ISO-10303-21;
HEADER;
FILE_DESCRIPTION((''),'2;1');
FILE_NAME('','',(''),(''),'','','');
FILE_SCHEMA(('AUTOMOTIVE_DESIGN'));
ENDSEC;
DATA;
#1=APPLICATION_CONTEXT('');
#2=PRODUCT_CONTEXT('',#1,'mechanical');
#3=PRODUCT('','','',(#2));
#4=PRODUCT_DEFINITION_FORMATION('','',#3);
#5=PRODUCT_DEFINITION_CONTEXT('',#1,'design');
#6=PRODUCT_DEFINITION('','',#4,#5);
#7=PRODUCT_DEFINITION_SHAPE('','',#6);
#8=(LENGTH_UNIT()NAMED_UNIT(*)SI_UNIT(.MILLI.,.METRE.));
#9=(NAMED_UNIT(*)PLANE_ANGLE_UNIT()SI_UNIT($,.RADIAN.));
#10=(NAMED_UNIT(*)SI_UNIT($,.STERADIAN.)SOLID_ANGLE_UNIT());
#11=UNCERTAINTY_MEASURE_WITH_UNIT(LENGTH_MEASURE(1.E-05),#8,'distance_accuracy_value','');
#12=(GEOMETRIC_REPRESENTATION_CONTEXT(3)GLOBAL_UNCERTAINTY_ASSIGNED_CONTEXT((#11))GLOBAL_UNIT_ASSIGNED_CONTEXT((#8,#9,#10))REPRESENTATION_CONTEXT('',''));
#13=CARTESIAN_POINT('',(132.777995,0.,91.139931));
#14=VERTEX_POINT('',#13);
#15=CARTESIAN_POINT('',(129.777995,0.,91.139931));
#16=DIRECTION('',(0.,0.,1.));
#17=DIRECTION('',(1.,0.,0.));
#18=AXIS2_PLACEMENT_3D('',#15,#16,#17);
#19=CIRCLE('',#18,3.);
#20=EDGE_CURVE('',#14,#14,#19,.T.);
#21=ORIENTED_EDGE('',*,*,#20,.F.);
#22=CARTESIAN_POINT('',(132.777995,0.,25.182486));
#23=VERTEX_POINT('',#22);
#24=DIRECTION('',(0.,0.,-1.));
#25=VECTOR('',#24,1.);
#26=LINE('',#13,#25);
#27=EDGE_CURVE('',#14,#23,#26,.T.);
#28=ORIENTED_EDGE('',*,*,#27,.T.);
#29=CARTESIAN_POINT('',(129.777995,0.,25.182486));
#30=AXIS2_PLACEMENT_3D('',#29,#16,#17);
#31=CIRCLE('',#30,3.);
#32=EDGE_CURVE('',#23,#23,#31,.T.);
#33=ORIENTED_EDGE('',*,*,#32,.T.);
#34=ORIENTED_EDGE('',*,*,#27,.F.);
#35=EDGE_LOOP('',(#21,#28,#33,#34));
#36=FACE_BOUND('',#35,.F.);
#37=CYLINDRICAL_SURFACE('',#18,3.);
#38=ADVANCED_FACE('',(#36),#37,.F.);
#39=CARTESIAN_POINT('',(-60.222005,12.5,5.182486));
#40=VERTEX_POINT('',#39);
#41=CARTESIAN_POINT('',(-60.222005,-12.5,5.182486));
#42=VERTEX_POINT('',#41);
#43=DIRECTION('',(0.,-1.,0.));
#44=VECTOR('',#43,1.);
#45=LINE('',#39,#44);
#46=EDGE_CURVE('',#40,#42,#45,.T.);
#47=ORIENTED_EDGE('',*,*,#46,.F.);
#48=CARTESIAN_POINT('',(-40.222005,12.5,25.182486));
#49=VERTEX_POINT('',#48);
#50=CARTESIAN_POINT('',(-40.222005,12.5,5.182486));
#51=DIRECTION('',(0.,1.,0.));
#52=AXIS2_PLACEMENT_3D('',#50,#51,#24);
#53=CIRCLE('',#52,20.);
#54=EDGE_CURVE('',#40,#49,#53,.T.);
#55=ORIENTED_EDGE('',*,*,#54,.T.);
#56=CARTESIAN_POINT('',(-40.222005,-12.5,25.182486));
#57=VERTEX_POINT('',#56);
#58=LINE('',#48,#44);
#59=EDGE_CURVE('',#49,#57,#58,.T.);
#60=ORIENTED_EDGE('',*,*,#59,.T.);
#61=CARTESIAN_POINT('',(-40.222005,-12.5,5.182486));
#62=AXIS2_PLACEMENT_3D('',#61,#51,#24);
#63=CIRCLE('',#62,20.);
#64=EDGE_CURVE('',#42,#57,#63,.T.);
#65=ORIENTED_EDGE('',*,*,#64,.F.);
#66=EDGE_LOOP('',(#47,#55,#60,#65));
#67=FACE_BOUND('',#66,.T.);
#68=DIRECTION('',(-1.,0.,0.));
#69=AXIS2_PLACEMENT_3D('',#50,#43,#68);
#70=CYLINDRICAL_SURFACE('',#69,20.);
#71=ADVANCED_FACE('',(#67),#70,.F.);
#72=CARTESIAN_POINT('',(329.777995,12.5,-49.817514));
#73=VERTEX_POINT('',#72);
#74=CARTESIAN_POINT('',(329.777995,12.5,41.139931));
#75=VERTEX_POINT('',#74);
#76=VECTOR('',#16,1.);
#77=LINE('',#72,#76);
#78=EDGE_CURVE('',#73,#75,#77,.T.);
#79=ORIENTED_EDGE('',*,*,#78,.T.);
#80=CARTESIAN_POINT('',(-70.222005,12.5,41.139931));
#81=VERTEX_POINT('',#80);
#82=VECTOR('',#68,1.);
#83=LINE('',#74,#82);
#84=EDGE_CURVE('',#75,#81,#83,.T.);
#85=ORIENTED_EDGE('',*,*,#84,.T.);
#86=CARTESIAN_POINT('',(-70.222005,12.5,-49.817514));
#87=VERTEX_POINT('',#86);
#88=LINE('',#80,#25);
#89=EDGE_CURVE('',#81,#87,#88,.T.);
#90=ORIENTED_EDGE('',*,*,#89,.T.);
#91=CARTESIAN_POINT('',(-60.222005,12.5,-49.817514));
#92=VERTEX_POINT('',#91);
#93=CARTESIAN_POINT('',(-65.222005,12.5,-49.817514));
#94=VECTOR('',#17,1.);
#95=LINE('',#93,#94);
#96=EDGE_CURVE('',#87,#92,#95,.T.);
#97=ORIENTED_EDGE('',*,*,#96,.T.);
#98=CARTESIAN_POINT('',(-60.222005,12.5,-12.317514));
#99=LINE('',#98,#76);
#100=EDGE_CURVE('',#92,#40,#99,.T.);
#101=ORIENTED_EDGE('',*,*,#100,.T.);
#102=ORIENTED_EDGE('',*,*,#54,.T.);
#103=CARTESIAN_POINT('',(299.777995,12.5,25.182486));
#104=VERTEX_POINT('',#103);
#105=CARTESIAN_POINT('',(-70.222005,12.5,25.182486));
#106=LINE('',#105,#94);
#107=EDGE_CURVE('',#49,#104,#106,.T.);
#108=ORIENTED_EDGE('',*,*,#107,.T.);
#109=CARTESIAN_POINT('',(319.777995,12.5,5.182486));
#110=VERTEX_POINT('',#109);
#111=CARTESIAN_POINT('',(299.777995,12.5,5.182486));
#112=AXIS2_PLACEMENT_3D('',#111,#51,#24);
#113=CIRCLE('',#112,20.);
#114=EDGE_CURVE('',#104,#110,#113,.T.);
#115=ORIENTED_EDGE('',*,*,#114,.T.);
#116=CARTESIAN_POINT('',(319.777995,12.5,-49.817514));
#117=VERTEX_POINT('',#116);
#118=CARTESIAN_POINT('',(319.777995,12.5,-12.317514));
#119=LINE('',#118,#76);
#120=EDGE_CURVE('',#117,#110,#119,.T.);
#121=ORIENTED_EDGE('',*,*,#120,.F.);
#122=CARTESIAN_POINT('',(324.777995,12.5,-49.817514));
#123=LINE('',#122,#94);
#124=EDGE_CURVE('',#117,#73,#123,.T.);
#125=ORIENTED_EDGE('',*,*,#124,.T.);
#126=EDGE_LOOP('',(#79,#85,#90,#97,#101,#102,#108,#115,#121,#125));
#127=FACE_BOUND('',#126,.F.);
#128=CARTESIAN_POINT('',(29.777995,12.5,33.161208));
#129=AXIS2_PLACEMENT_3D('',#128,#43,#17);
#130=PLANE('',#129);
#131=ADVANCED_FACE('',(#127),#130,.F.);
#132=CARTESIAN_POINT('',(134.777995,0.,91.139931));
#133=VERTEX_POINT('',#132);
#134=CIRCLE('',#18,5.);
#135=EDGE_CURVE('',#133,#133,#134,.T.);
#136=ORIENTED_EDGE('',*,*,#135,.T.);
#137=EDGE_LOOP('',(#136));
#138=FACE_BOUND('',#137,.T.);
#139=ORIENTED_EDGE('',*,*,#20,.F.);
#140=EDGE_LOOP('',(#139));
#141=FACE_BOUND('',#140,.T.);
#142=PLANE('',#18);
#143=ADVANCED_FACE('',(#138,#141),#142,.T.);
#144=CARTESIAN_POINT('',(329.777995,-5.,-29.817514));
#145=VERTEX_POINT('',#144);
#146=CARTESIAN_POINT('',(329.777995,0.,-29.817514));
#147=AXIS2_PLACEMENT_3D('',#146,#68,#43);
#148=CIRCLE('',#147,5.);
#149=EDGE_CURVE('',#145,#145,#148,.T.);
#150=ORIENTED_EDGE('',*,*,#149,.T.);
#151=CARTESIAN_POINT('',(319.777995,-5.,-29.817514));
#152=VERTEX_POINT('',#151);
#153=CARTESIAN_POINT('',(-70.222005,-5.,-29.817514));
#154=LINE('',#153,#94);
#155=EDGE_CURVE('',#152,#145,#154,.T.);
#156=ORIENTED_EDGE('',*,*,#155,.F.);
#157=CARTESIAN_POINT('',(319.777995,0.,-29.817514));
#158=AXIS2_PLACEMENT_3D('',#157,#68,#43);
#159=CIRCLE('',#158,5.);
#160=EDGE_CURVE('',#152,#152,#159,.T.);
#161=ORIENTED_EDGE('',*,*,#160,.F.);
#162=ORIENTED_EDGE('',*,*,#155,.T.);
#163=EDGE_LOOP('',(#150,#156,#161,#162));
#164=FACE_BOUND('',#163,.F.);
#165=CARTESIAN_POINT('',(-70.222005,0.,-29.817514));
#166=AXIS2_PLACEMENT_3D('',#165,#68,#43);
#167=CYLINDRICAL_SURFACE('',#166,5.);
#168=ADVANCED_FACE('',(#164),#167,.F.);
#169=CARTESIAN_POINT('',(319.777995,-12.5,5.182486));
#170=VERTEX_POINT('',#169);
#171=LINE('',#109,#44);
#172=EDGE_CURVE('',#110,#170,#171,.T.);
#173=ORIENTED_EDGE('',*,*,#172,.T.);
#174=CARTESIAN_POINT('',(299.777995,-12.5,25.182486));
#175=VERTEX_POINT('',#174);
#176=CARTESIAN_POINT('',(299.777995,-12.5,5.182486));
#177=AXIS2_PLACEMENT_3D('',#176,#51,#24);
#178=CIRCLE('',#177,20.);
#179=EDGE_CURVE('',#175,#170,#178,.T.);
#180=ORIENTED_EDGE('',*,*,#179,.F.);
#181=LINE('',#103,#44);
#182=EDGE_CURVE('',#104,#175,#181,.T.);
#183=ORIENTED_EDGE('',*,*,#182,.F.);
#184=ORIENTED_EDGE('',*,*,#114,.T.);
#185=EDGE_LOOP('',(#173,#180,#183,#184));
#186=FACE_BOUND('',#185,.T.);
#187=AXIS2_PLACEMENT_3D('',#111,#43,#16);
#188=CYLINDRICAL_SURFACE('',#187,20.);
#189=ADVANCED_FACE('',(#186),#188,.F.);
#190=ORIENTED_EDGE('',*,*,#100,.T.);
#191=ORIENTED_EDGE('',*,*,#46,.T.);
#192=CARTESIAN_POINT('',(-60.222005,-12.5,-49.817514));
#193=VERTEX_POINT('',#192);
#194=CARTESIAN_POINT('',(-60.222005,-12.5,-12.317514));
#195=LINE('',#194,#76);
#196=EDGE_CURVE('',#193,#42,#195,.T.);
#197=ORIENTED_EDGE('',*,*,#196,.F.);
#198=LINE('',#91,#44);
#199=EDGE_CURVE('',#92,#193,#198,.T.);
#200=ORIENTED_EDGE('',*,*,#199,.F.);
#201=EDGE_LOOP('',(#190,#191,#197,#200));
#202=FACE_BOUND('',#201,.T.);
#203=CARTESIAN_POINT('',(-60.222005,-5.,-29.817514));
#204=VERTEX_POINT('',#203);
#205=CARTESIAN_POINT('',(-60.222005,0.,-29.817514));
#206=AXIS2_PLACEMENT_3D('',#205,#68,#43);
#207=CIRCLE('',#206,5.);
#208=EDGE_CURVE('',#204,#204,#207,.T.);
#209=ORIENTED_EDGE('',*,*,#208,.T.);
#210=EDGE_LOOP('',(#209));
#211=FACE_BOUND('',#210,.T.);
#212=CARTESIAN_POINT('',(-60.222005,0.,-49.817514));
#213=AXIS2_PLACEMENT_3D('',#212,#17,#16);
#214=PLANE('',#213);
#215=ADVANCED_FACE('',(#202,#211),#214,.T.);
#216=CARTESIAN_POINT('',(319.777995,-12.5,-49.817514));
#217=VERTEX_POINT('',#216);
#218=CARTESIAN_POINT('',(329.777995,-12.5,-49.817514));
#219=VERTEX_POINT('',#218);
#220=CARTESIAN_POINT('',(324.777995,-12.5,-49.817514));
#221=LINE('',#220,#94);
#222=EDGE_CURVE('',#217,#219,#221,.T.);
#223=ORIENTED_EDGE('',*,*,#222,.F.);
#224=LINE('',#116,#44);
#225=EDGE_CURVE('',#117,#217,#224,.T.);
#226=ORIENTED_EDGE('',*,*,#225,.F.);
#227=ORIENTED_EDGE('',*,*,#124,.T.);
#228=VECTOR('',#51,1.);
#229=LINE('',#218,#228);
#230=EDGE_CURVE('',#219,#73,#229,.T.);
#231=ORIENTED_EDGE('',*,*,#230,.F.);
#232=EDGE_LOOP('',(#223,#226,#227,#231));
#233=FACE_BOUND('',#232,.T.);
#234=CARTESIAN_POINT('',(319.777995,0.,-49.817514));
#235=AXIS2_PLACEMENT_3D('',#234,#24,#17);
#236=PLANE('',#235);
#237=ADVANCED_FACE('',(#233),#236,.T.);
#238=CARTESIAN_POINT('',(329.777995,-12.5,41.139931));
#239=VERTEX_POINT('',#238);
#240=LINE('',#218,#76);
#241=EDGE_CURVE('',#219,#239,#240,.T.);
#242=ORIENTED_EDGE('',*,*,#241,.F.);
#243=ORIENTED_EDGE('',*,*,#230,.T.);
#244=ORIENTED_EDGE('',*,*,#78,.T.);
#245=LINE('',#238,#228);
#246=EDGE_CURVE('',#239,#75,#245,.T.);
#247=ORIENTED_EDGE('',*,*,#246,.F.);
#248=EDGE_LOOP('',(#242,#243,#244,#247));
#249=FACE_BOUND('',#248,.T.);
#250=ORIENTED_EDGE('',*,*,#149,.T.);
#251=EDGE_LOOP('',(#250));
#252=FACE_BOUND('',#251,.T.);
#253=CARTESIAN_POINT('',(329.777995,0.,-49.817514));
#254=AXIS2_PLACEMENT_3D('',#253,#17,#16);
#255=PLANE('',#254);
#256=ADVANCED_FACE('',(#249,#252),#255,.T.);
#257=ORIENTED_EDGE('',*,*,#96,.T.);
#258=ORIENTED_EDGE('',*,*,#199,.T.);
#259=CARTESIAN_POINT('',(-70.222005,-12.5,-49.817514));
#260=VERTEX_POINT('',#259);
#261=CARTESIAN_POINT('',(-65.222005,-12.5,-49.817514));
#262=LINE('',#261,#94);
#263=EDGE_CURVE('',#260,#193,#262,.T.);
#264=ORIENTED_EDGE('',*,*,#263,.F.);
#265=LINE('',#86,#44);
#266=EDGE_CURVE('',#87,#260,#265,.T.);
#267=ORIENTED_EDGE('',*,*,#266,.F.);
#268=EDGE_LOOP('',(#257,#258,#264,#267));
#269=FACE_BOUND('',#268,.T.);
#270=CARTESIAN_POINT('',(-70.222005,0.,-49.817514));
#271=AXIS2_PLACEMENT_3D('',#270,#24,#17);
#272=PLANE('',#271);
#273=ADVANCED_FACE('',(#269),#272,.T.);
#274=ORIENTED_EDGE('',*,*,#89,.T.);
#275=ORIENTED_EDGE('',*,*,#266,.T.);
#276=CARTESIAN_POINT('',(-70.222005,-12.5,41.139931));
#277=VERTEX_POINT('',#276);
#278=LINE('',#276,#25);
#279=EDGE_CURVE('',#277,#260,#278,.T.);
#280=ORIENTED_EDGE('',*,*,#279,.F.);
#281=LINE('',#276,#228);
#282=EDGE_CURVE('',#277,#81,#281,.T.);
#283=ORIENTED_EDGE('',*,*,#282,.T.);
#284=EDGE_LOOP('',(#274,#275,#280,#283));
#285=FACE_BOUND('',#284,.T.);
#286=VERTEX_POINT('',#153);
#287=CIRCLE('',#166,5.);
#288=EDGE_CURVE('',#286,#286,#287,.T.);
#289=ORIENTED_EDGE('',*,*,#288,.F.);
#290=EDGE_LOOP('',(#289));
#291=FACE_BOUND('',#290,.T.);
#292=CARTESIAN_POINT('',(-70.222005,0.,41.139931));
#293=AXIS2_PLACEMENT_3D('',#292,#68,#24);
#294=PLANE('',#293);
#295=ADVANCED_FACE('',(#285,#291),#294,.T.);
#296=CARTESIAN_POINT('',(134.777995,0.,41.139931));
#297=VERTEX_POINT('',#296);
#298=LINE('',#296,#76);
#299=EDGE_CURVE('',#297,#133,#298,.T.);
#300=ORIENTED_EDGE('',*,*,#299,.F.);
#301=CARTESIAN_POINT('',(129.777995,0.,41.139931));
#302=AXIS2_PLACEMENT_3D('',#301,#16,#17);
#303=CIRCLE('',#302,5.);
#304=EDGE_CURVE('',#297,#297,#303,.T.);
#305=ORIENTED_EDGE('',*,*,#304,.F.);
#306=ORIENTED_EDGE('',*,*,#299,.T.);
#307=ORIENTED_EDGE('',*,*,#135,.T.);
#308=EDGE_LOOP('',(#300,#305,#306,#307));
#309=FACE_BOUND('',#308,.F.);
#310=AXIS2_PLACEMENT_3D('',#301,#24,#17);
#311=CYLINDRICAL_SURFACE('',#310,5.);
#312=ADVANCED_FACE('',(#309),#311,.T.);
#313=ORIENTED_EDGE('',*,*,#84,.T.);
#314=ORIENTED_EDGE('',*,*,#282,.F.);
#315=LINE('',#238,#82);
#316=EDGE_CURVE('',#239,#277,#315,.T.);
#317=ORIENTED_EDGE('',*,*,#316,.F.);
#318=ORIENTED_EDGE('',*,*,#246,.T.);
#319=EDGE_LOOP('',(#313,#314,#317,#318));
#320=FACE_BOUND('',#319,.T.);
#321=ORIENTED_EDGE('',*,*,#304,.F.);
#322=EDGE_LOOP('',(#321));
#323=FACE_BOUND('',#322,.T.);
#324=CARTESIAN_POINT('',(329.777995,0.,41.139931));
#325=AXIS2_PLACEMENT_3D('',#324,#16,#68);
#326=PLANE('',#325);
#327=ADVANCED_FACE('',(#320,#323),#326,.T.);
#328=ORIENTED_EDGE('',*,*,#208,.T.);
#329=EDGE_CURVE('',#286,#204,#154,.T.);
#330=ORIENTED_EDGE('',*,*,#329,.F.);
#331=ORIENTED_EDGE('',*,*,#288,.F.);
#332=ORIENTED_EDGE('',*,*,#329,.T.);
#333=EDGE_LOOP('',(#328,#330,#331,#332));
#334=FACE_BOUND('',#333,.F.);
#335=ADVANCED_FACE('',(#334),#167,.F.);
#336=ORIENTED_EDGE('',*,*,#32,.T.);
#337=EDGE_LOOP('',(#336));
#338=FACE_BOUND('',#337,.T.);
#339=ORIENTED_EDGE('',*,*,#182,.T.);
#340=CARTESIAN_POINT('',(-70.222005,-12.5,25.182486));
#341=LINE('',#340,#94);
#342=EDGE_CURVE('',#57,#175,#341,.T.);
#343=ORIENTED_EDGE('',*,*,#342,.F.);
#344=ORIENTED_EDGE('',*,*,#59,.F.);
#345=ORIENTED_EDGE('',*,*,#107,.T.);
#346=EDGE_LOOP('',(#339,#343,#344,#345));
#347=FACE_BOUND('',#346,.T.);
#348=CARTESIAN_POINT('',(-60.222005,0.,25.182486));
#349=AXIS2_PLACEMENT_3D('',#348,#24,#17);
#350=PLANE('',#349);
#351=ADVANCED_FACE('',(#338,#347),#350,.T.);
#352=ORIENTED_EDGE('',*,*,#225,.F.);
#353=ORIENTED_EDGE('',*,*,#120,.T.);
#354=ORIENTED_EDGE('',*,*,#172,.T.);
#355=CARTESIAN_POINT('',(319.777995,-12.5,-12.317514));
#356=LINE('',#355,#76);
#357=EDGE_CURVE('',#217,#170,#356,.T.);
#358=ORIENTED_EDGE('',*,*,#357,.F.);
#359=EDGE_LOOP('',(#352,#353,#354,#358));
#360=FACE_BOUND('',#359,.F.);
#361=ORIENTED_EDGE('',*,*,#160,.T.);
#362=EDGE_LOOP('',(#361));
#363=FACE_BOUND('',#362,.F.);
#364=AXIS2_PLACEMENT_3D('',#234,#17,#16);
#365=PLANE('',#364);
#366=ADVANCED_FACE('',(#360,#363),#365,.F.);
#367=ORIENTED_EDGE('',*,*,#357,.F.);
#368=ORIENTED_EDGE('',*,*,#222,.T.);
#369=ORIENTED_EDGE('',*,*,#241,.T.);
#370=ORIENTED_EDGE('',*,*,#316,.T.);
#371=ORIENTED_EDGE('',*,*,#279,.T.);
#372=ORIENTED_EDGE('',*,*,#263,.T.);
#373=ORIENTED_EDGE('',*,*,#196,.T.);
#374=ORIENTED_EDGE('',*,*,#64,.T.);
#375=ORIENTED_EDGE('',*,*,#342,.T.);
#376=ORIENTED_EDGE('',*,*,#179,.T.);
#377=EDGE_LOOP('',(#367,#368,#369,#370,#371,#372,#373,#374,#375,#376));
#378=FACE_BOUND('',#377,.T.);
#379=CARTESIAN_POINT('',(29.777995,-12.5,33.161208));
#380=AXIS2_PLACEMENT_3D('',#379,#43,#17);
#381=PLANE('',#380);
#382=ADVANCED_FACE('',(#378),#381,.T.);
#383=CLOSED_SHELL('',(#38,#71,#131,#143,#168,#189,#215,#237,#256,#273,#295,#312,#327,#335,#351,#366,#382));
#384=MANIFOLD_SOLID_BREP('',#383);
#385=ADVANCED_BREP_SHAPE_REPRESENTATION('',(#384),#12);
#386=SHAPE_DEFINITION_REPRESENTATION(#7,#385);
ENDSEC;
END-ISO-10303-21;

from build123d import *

# Parameters (mm, degrees)
F0_W     = 10
F0_H     = 75
F1_DEPTH = 12.5
F2_R     = 5
F3_DEPTH = 400.001
F4_R     = 5
F5_DEPTH = 50
F6_R     = 20
F7_R     = 3
F8_DEPTH = 140.9584442942


with BuildPart() as f1:
    # F0 (on Front) → F1 (new body, symmetric)
    with BuildSketch(Plane.XZ):
        Polygon((129.7779953739, 41.1399305532), (-70.2220046261, 41.1399305532), (-70.2220046261, 25.182486259), (-60.2220046261, 25.182486259), (129.7779953739, 25.182486259), align=None)
        Polygon((329.7779953739, 41.1399305532), (129.7779953739, 41.1399305532), (129.7779953739, 25.182486259), (319.7779953739, 25.182486259), (329.7779953739, 25.182486259), align=None)
        with Locations((-65.2220046261, -12.317513741)):
            Rectangle(F0_W, F0_H)
        with Locations((324.7779953739, -12.317513741)):
            Rectangle(F0_W, F0_H)
    extrude(amount=F1_DEPTH, both=True)

    # F2 (on face) → F3 (cut, through all)
    with BuildSketch(Plane(origin=(-70.2220046261, 0, 0), x_dir=(0, -1, 0), z_dir=(-1, 0, 0))):
        with Locations((0, -29.817513741)):
            Circle(F2_R)
    extrude(amount=-F3_DEPTH, mode=Mode.SUBTRACT)

    # F4 (on face) → F5 (join)
    with BuildSketch(Plane.XY.offset(41.1399305532)):
        with Locations((129.7779953739, 0)):
            Circle(F4_R)
    extrude(amount=F5_DEPTH)

    # F6
    f6_edges = [f1.edges().sort_by_distance(p)[0] for p in [
        (-60.222005, 0, 25.182486),
        (319.777995, 0, 25.182486),
    ]]
    fillet(f6_edges, radius=F6_R)

    # F7 (on face) → F8 (cut, through all)
    with BuildSketch(Plane.XY.offset(91.1399305532)):
        with Locations((129.7779953739, 0)):
            Circle(F7_R)
    extrude(amount=-F8_DEPTH, mode=Mode.SUBTRACT)


solid = f1.part
